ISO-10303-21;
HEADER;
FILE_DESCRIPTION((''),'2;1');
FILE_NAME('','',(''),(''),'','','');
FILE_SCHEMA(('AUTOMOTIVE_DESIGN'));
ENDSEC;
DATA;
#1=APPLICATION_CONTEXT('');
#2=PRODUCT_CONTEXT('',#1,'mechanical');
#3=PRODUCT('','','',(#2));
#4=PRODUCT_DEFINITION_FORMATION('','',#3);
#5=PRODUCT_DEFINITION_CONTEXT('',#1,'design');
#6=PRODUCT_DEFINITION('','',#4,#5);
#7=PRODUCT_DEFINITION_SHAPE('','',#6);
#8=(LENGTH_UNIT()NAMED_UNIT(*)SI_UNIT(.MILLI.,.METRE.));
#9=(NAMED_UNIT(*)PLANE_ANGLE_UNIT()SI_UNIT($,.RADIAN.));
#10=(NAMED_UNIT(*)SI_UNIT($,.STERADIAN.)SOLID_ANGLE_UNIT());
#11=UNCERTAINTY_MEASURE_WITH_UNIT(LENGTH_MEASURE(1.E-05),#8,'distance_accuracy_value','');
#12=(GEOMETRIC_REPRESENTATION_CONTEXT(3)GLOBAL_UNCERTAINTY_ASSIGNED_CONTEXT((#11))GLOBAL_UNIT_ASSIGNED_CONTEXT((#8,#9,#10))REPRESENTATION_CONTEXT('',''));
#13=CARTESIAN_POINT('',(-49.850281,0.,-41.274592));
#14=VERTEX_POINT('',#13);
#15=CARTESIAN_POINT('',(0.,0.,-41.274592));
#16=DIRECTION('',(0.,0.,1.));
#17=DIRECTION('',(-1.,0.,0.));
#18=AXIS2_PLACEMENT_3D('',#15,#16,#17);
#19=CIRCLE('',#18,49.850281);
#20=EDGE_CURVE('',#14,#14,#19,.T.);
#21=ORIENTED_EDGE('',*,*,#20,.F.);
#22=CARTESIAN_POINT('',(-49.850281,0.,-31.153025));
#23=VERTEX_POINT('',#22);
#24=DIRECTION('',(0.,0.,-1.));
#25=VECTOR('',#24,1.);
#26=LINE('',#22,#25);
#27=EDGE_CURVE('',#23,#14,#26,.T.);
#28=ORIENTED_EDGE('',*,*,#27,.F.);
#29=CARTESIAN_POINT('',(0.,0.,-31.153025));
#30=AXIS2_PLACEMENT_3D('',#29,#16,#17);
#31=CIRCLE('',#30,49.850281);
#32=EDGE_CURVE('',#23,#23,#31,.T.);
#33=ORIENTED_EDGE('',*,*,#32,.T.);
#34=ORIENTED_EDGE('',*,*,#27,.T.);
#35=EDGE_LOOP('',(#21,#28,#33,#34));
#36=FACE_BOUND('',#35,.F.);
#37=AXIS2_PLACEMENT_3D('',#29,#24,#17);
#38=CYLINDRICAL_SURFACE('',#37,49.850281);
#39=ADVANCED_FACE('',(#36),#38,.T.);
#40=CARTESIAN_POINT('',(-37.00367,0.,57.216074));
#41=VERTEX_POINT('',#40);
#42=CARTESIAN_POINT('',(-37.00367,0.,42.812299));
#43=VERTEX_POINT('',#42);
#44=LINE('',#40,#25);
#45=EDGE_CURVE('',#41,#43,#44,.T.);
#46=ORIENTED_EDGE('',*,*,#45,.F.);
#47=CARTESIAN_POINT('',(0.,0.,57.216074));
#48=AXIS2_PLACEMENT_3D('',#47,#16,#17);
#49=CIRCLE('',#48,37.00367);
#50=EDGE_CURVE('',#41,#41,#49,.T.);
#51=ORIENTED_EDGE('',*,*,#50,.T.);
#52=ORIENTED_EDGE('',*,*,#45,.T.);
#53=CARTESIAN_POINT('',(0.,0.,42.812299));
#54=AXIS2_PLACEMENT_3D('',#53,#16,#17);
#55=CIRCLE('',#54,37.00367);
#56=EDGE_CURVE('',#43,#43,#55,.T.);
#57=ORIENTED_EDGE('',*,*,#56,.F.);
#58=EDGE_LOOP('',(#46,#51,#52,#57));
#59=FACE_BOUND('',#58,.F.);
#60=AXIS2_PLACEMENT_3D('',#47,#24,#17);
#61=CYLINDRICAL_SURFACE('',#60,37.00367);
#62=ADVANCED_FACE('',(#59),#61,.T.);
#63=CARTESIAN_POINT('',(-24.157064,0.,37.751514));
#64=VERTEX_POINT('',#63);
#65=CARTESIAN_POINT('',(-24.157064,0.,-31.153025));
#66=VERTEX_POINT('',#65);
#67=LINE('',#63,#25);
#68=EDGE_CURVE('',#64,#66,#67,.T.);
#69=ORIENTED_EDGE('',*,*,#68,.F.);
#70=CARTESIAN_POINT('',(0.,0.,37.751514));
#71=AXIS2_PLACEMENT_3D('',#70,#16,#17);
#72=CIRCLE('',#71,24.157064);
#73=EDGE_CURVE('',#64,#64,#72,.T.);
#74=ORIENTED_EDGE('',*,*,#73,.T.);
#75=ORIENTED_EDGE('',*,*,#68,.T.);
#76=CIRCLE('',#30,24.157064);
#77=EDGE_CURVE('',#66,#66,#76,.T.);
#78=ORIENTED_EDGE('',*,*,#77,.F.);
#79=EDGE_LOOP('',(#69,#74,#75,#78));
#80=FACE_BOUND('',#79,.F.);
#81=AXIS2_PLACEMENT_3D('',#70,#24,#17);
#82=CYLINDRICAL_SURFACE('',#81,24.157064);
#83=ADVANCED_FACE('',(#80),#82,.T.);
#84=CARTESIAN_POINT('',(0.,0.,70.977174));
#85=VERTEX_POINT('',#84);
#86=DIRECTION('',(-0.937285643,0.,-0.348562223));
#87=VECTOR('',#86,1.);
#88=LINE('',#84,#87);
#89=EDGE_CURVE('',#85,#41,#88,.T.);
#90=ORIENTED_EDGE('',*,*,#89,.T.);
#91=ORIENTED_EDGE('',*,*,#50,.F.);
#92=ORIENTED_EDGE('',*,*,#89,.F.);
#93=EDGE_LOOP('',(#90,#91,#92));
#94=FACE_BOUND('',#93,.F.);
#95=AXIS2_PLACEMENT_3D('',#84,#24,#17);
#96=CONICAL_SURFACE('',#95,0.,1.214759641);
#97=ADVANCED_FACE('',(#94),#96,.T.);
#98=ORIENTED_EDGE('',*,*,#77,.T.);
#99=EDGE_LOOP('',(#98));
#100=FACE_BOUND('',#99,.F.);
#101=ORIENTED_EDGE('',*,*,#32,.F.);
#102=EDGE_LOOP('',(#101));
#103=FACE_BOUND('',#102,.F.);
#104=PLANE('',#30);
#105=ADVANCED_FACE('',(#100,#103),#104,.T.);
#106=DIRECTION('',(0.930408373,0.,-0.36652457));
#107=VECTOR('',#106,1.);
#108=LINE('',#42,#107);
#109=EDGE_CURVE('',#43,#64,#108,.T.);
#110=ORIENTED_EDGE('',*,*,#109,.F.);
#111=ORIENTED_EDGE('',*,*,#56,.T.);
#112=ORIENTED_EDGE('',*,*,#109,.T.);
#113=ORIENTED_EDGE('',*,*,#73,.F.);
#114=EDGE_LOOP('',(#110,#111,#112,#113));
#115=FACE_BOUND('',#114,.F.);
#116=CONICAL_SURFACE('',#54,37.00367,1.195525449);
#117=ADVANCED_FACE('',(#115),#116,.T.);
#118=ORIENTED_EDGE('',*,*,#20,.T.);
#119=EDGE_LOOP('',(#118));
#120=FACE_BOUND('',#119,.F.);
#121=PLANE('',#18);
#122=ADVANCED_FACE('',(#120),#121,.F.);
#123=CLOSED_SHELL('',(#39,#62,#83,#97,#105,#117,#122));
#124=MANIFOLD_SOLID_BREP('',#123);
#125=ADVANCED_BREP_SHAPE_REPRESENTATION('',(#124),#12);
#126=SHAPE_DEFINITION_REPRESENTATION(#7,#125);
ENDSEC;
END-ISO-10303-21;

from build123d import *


with BuildPart() as f1:
    # F0 (on Front) → F1 (revolve)
    with BuildSketch(Plane.XZ):
        Polygon((0, -41.274592), (0, 57.216074), (-37.00367, 57.216074), (-37.00367, 42.812299), (-24.157064, 37.751514), (-24.157064, -31.153025), (-49.850281, -31.153025), (-49.850281, -41.274592), align=None)
        Polygon((-37.00367, 57.216074), (0, 57.216074), (0, 70.977174), align=None)
    revolve(axis=Axis((0, 0, 7.970741), (0, 0, 1)))


solid = f1.part
